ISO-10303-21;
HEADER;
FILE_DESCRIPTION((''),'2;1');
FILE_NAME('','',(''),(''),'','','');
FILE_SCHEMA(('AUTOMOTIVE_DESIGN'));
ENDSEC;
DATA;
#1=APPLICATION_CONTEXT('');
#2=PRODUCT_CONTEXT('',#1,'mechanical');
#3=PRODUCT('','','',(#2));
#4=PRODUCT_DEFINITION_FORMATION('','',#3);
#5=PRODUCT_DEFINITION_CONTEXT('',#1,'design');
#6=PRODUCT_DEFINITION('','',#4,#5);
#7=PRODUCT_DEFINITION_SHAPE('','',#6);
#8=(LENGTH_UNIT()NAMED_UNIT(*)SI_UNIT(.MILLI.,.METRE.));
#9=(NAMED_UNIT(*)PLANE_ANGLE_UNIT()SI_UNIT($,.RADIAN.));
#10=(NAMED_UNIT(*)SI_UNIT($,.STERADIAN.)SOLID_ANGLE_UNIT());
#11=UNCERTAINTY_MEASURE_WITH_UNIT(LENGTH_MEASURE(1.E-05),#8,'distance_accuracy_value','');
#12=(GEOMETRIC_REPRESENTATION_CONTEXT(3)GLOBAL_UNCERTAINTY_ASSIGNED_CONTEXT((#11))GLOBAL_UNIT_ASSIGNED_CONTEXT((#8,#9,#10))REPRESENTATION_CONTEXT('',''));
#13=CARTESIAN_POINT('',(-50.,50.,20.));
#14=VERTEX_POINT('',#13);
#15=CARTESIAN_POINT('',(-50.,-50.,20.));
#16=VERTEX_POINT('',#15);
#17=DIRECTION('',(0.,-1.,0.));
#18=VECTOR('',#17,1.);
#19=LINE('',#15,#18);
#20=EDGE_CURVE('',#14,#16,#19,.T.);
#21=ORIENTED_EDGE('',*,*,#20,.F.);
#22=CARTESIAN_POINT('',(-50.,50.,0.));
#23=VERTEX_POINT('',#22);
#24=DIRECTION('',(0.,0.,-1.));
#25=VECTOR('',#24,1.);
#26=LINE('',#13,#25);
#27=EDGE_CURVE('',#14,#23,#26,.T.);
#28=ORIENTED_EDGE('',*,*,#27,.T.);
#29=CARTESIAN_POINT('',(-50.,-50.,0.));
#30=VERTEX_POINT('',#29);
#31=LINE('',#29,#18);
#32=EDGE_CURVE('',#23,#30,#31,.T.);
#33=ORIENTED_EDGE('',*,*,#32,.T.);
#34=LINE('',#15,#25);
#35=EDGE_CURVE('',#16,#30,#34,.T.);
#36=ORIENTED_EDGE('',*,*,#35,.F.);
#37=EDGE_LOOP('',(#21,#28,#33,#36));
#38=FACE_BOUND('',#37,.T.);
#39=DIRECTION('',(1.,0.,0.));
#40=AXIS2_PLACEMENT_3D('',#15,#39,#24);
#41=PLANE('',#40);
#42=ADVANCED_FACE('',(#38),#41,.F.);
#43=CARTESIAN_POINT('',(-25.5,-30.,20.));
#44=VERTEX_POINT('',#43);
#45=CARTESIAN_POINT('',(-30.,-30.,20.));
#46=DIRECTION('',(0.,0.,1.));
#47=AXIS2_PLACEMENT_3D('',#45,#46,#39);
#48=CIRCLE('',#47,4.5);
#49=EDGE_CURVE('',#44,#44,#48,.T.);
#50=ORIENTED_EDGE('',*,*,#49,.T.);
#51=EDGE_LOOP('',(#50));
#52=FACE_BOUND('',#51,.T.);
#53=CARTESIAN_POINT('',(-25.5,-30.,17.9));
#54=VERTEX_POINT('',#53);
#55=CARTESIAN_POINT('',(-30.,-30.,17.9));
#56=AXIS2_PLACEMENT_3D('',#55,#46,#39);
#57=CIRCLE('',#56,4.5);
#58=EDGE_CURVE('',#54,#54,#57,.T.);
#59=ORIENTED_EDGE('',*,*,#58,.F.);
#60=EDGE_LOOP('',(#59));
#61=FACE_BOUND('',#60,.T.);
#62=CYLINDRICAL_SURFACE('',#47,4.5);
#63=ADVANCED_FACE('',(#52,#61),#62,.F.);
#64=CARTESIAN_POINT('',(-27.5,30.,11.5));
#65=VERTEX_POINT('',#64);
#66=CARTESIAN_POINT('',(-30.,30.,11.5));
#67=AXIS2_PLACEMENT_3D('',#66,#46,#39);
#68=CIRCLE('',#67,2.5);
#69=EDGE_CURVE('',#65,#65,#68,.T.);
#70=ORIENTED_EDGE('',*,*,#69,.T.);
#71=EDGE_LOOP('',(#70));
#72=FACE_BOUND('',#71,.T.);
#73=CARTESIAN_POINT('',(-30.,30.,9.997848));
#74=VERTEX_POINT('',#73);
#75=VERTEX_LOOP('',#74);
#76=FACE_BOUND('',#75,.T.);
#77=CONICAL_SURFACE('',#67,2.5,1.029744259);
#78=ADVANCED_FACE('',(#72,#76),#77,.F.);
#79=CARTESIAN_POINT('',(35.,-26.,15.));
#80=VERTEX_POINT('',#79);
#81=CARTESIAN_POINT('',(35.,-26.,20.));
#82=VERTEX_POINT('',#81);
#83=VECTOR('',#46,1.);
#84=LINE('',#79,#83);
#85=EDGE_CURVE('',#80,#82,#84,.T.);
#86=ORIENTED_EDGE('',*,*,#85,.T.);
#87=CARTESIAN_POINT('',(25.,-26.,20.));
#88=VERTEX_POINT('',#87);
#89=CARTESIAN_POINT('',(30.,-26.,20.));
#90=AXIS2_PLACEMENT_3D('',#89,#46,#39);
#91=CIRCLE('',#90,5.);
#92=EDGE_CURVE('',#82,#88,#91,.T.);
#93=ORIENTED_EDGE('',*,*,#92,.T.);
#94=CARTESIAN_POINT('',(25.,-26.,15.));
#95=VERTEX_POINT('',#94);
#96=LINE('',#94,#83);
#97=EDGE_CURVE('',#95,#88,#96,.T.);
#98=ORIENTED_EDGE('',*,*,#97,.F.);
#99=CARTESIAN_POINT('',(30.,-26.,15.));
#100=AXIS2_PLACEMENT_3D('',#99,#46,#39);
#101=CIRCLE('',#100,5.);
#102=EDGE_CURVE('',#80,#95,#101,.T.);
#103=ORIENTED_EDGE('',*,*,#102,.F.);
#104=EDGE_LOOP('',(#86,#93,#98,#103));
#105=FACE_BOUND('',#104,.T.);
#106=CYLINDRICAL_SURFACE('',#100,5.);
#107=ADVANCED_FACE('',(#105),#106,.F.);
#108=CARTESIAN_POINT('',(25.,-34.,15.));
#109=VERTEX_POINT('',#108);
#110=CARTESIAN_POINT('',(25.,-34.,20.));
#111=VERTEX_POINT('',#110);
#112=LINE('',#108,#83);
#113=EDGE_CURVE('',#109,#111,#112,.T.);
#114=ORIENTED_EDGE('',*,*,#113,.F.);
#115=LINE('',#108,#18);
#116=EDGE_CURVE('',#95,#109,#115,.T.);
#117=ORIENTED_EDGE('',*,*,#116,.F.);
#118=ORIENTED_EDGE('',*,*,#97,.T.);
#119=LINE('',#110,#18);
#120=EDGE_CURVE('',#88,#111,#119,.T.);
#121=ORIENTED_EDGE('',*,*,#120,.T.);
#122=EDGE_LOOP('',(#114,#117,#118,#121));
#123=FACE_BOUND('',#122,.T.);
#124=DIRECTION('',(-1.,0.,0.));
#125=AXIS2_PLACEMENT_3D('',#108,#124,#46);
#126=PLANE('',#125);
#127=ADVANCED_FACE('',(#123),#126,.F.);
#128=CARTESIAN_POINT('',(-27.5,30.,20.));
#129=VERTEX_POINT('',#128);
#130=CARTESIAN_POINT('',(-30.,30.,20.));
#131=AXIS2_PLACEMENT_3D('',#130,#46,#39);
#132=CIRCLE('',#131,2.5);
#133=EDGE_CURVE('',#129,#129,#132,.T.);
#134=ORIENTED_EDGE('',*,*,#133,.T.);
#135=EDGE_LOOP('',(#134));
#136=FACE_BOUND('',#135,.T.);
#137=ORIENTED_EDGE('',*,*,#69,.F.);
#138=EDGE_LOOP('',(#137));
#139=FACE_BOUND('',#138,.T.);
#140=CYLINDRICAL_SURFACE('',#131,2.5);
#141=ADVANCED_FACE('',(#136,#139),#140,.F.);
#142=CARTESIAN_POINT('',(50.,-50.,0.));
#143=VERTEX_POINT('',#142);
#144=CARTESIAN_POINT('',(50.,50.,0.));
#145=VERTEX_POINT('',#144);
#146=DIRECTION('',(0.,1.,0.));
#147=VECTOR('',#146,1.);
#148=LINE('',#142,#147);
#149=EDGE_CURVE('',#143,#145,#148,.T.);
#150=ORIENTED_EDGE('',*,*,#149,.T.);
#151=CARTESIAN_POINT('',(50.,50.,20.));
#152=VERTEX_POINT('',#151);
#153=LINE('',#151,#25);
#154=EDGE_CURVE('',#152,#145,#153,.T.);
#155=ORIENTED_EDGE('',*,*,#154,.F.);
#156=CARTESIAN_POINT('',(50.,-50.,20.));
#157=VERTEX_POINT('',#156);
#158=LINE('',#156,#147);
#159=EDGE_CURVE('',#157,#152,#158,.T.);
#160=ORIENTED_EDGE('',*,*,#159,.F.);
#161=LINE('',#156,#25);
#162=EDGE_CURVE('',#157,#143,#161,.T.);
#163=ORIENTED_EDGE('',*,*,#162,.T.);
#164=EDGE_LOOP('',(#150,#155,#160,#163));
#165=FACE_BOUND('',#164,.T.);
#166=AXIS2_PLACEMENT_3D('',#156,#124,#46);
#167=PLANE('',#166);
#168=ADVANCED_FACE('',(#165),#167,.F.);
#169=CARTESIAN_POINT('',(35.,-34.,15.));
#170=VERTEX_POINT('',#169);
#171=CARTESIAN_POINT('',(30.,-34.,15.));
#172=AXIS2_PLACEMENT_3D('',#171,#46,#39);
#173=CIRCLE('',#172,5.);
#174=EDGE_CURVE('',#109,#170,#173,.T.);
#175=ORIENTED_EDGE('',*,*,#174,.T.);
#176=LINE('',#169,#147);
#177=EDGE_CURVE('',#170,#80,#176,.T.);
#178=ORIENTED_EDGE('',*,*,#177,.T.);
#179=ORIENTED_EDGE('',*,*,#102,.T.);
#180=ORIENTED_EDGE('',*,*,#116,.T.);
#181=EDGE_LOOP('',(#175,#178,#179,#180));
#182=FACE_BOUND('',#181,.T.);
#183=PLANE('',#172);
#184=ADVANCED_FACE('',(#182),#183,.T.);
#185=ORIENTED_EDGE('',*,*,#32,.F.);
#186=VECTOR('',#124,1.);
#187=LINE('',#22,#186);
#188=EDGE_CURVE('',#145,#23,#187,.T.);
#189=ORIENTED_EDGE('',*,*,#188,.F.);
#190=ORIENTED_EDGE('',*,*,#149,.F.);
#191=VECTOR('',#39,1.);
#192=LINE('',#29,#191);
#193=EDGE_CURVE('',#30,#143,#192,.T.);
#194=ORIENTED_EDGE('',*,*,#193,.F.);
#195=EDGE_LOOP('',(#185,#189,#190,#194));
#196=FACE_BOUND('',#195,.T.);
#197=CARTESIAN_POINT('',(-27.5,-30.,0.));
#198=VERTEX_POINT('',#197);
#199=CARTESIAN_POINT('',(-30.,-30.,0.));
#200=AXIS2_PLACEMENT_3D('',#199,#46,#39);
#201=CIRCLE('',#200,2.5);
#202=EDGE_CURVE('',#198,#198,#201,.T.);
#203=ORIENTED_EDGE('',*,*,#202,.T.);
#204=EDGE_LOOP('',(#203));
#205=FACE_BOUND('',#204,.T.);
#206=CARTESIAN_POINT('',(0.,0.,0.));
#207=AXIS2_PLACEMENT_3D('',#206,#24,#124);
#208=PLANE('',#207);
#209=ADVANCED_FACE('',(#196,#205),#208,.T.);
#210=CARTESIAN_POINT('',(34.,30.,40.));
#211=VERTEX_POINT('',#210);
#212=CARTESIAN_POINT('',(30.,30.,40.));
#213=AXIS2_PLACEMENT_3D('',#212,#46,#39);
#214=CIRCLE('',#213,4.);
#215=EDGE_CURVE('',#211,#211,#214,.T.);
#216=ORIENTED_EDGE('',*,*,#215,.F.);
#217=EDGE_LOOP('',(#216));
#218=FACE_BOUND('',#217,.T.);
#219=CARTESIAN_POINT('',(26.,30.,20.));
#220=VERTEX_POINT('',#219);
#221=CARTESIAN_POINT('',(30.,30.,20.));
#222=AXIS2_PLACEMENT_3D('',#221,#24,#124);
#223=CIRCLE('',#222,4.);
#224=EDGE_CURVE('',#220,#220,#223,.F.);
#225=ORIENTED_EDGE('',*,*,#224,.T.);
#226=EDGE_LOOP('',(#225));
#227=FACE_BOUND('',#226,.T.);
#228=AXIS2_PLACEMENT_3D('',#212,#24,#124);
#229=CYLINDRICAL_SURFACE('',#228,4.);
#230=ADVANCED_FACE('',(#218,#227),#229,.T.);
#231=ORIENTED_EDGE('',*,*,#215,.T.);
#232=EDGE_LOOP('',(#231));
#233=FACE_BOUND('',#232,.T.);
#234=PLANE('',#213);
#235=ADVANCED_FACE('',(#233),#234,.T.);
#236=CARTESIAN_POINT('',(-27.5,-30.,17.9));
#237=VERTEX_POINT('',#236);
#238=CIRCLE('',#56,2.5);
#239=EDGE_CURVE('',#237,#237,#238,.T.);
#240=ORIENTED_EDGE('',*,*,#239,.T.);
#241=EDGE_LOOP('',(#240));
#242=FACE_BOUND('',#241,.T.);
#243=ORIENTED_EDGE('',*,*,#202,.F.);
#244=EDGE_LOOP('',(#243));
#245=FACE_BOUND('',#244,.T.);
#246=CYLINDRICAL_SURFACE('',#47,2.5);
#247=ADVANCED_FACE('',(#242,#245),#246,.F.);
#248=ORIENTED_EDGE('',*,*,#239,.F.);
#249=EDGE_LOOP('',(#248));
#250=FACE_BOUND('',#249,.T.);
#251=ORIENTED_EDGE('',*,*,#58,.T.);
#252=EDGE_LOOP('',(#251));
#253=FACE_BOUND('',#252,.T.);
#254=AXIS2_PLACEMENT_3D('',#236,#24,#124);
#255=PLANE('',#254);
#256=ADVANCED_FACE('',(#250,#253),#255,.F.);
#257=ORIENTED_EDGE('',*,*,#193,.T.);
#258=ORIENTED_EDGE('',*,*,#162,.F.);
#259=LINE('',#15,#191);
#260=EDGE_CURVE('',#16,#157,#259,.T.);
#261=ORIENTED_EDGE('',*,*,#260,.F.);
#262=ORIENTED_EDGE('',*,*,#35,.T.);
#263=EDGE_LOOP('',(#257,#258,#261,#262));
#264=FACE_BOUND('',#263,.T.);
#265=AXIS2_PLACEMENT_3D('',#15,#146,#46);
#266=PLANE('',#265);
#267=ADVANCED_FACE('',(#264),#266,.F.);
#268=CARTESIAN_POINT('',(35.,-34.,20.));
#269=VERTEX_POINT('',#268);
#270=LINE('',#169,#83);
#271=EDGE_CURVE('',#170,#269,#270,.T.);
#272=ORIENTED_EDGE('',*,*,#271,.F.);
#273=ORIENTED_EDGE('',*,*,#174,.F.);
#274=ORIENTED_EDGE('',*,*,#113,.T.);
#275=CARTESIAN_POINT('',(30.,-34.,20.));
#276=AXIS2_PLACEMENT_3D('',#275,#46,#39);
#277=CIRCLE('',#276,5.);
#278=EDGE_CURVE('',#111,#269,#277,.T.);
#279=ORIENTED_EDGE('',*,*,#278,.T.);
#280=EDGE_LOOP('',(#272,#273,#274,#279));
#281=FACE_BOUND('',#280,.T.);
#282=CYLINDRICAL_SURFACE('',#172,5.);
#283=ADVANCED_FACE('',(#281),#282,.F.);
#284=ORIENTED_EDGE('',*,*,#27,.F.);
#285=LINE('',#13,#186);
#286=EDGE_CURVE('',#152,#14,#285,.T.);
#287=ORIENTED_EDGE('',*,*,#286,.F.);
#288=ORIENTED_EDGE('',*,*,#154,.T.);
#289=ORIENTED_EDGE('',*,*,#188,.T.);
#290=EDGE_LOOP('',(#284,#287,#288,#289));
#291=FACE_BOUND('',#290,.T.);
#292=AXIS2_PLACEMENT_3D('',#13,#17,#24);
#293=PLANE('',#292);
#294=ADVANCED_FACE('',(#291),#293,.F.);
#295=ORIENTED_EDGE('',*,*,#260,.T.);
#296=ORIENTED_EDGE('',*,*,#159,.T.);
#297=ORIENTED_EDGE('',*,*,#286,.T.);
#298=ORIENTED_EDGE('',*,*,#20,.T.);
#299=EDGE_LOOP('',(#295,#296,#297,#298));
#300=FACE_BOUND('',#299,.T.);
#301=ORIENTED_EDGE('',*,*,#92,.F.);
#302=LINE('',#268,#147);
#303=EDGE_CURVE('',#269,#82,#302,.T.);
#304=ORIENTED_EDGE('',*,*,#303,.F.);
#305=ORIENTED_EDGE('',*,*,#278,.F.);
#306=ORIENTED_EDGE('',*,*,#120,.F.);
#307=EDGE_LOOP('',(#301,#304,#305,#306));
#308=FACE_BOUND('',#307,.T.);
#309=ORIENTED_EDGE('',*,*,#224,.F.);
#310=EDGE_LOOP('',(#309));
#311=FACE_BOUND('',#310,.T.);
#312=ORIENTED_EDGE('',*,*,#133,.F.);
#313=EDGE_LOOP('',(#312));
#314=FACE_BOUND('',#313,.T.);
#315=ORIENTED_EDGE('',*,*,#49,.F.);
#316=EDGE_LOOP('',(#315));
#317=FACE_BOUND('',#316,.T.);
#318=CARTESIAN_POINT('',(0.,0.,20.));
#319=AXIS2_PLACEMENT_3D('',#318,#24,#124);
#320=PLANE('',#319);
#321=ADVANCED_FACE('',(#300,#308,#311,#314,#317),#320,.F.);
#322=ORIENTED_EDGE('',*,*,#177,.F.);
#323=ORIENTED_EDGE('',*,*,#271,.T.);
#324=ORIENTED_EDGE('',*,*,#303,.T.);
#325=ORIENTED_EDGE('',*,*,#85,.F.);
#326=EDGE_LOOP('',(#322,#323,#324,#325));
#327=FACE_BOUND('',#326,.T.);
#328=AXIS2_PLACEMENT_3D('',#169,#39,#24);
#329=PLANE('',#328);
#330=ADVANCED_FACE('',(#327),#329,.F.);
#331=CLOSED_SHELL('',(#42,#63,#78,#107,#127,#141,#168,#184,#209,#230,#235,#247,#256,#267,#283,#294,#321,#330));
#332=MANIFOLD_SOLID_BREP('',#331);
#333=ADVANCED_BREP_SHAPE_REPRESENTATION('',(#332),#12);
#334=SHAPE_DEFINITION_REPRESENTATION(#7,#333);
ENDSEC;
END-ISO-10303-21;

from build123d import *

# Parameters (mm, degrees)
SKIZZE1_W                       = 100
SKIZZE1_H                       = 100
AUFSATZ_LINEAR_AUSTRAGEN1_DEPTH = 20
F_5_0MM_STIFTLOCH1_D            = 5
F_5_0MM_STIFTLOCH1_DEPTH        = 8.5
F_5_0MM_STIFTLOCH1_TIP          = 1.502151548
SKIZZE5_R                       = 4
AUFSATZ_LINEAR_AUSTRAGEN2_DEPTH = 20
BOHRUNG1_D                      = 5
BOHRUNG1_DEPTH                  = 20
BOHRUNG1_CBORE_D                = 9
BOHRUNG1_CBORE_DEPTH            = 2.1
BOHRUNG1_TIP                    = 1.502151548
SCHNITT_LINEAR_AUSTRAGEN1_DEPTH = 5


with BuildPart() as part:
    # Skizze1 → Aufsatz-Linear austragen1 (new body)
    with BuildSketch(Plane.XY):
        Rectangle(SKIZZE1_W, SKIZZE1_H)
    extrude(amount=AUFSATZ_LINEAR_AUSTRAGEN1_DEPTH)

    # Ø5.0mm Stiftloch1
    with Locations(Plane.XY.offset(20)):
        with Locations((-30, 30)):
            Hole(F_5_0MM_STIFTLOCH1_D / 2, depth=F_5_0MM_STIFTLOCH1_DEPTH)
            with Locations((0, 0, -(F_5_0MM_STIFTLOCH1_DEPTH + F_5_0MM_STIFTLOCH1_TIP / 2))):  # 118° drill point
                Cone(0, F_5_0MM_STIFTLOCH1_D / 2, F_5_0MM_STIFTLOCH1_TIP, mode=Mode.SUBTRACT)

    # Skizze5 → Aufsatz-Linear austragen2 (add)
    with BuildSketch(Plane.XY.offset(20)):
        with Locations(Location((30, 30, 0), (0, 0, 180))):
            Circle(SKIZZE5_R)
    extrude(amount=AUFSATZ_LINEAR_AUSTRAGEN2_DEPTH)

    # Bohrung1
    with Locations(Plane.XY.offset(20)):
        with Locations((-30, -30)):
            CounterBoreHole(BOHRUNG1_D / 2, BOHRUNG1_CBORE_D / 2, BOHRUNG1_CBORE_DEPTH, depth=BOHRUNG1_DEPTH)
            with Locations((0, 0, -(BOHRUNG1_DEPTH + BOHRUNG1_TIP / 2))):  # 118° drill point
                Cone(0, BOHRUNG1_D / 2, BOHRUNG1_TIP, mode=Mode.SUBTRACT)

    # Skizze9 → Schnitt-Linear austragen1 (cut)
    with BuildSketch(Plane.XY.offset(20)):
        with BuildLine():
            Line((25, -34), (25, -26))
            ThreePointArc((25, -26), (30, -21), (35, -26))
            Line((35, -26), (35, -34))
            ThreePointArc((35, -34), (30, -39), (25, -34))
        make_face()
    extrude(amount=-SCHNITT_LINEAR_AUSTRAGEN1_DEPTH, mode=Mode.SUBTRACT)


solid = part.part
